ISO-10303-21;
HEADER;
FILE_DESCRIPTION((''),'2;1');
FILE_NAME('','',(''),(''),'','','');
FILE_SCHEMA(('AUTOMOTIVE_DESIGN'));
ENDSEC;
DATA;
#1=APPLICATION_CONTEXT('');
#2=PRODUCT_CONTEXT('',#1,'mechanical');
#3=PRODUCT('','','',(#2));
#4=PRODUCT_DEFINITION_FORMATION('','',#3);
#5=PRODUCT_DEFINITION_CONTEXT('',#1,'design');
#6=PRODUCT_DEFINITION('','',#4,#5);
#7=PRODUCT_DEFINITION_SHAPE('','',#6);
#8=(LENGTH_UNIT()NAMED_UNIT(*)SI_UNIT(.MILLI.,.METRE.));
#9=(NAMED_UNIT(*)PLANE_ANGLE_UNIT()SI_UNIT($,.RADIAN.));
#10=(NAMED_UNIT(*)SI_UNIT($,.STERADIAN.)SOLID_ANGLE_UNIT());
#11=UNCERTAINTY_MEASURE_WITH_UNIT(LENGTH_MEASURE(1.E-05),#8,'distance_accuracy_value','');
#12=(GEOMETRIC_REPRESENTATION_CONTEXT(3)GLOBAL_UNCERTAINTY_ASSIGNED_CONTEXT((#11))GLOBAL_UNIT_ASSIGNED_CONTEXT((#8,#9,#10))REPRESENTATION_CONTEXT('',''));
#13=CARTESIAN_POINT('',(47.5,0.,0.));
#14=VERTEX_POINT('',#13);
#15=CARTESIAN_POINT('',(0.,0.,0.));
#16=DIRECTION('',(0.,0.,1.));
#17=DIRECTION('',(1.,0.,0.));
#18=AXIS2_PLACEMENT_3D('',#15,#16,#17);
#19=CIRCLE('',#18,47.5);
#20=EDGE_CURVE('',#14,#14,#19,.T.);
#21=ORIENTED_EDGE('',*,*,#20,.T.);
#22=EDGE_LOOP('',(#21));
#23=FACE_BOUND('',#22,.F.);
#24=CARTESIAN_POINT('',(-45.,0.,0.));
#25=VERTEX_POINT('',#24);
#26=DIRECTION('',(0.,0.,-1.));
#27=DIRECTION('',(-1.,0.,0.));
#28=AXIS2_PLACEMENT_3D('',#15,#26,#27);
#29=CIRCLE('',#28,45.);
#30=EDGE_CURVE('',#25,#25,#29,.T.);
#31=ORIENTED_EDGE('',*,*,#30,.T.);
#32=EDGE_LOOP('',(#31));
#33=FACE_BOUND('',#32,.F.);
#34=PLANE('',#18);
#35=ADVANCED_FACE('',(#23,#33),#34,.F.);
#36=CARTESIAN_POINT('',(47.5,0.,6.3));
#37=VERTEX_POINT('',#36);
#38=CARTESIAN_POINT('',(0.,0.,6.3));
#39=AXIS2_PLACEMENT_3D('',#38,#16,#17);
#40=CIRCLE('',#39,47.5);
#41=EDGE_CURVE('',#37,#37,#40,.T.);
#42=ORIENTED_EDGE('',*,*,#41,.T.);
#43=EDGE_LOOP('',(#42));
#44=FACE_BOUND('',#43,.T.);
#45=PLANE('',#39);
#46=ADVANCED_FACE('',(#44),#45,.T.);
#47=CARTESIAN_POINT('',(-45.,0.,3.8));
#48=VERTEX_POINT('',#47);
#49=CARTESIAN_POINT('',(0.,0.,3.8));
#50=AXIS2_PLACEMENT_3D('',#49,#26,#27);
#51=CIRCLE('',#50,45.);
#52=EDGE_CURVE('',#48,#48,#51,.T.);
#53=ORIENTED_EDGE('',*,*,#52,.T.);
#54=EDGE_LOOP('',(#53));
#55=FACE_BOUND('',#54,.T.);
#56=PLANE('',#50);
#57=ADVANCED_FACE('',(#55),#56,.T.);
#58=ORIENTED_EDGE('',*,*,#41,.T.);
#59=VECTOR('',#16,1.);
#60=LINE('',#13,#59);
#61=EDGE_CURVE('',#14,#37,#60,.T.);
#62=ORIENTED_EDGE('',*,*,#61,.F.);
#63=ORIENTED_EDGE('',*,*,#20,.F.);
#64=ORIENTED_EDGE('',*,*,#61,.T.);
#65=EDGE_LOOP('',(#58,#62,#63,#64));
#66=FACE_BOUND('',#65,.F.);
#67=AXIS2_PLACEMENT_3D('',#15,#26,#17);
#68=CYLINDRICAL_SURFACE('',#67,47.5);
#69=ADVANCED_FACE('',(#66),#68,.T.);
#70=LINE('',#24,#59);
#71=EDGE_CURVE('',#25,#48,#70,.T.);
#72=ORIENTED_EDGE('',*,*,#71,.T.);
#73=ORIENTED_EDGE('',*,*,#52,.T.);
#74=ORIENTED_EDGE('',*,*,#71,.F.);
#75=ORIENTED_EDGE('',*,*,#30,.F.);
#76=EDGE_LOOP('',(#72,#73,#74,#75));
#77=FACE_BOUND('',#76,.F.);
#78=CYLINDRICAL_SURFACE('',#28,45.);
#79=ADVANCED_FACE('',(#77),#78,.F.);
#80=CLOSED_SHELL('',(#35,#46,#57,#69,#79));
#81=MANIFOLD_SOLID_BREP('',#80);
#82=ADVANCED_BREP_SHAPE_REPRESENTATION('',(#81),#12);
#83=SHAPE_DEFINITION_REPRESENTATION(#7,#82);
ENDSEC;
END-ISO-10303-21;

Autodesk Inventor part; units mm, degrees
ref_plane "YZ Plane" through (0, 0, 0) normal (1, 0, 0) x (0, 1, 0)
ref_plane "XZ Plane" through (0, 0, 0) normal (0, 1, 0) x (-1, 0, 0)
ref_plane "XY Plane" through (0, 0, 0) normal (0, 0, 1) x (1, 0, 0)
sketch "スケッチ2" plane through (0, 0, 0) normal (0, 0, 1) x (1, 0, 0)
  circle A0 centre (0, 0) radius 47.5
  dimension "d0" = 95
extrude "押し出し1" add sketch "スケッチ2" along normal blind 6.3
sketch "スケッチ3" plane through (0, 0, 0) normal (0, 0, -1) x (-1, 0, 0)
  circle A0 centre (0, 0) radius 45
  circle A1 centre (0, 0) radius 47.5 projected
  dimension "d3" = 2.5
extrude "押し出し2" cut sketch "スケッチ3" against normal blind 3.8 contours A0
sketch "スケッチ4" plane through (0, 0, 6.3) normal (0, 0, 1) x (1, 0, 0)
  circle A0 centre (0, 0) radius 36.5
  circle A1 centre (0, 0) radius 47.5 projected
  dimension "d6" = 11
properties part number "drum_brake_plate"
